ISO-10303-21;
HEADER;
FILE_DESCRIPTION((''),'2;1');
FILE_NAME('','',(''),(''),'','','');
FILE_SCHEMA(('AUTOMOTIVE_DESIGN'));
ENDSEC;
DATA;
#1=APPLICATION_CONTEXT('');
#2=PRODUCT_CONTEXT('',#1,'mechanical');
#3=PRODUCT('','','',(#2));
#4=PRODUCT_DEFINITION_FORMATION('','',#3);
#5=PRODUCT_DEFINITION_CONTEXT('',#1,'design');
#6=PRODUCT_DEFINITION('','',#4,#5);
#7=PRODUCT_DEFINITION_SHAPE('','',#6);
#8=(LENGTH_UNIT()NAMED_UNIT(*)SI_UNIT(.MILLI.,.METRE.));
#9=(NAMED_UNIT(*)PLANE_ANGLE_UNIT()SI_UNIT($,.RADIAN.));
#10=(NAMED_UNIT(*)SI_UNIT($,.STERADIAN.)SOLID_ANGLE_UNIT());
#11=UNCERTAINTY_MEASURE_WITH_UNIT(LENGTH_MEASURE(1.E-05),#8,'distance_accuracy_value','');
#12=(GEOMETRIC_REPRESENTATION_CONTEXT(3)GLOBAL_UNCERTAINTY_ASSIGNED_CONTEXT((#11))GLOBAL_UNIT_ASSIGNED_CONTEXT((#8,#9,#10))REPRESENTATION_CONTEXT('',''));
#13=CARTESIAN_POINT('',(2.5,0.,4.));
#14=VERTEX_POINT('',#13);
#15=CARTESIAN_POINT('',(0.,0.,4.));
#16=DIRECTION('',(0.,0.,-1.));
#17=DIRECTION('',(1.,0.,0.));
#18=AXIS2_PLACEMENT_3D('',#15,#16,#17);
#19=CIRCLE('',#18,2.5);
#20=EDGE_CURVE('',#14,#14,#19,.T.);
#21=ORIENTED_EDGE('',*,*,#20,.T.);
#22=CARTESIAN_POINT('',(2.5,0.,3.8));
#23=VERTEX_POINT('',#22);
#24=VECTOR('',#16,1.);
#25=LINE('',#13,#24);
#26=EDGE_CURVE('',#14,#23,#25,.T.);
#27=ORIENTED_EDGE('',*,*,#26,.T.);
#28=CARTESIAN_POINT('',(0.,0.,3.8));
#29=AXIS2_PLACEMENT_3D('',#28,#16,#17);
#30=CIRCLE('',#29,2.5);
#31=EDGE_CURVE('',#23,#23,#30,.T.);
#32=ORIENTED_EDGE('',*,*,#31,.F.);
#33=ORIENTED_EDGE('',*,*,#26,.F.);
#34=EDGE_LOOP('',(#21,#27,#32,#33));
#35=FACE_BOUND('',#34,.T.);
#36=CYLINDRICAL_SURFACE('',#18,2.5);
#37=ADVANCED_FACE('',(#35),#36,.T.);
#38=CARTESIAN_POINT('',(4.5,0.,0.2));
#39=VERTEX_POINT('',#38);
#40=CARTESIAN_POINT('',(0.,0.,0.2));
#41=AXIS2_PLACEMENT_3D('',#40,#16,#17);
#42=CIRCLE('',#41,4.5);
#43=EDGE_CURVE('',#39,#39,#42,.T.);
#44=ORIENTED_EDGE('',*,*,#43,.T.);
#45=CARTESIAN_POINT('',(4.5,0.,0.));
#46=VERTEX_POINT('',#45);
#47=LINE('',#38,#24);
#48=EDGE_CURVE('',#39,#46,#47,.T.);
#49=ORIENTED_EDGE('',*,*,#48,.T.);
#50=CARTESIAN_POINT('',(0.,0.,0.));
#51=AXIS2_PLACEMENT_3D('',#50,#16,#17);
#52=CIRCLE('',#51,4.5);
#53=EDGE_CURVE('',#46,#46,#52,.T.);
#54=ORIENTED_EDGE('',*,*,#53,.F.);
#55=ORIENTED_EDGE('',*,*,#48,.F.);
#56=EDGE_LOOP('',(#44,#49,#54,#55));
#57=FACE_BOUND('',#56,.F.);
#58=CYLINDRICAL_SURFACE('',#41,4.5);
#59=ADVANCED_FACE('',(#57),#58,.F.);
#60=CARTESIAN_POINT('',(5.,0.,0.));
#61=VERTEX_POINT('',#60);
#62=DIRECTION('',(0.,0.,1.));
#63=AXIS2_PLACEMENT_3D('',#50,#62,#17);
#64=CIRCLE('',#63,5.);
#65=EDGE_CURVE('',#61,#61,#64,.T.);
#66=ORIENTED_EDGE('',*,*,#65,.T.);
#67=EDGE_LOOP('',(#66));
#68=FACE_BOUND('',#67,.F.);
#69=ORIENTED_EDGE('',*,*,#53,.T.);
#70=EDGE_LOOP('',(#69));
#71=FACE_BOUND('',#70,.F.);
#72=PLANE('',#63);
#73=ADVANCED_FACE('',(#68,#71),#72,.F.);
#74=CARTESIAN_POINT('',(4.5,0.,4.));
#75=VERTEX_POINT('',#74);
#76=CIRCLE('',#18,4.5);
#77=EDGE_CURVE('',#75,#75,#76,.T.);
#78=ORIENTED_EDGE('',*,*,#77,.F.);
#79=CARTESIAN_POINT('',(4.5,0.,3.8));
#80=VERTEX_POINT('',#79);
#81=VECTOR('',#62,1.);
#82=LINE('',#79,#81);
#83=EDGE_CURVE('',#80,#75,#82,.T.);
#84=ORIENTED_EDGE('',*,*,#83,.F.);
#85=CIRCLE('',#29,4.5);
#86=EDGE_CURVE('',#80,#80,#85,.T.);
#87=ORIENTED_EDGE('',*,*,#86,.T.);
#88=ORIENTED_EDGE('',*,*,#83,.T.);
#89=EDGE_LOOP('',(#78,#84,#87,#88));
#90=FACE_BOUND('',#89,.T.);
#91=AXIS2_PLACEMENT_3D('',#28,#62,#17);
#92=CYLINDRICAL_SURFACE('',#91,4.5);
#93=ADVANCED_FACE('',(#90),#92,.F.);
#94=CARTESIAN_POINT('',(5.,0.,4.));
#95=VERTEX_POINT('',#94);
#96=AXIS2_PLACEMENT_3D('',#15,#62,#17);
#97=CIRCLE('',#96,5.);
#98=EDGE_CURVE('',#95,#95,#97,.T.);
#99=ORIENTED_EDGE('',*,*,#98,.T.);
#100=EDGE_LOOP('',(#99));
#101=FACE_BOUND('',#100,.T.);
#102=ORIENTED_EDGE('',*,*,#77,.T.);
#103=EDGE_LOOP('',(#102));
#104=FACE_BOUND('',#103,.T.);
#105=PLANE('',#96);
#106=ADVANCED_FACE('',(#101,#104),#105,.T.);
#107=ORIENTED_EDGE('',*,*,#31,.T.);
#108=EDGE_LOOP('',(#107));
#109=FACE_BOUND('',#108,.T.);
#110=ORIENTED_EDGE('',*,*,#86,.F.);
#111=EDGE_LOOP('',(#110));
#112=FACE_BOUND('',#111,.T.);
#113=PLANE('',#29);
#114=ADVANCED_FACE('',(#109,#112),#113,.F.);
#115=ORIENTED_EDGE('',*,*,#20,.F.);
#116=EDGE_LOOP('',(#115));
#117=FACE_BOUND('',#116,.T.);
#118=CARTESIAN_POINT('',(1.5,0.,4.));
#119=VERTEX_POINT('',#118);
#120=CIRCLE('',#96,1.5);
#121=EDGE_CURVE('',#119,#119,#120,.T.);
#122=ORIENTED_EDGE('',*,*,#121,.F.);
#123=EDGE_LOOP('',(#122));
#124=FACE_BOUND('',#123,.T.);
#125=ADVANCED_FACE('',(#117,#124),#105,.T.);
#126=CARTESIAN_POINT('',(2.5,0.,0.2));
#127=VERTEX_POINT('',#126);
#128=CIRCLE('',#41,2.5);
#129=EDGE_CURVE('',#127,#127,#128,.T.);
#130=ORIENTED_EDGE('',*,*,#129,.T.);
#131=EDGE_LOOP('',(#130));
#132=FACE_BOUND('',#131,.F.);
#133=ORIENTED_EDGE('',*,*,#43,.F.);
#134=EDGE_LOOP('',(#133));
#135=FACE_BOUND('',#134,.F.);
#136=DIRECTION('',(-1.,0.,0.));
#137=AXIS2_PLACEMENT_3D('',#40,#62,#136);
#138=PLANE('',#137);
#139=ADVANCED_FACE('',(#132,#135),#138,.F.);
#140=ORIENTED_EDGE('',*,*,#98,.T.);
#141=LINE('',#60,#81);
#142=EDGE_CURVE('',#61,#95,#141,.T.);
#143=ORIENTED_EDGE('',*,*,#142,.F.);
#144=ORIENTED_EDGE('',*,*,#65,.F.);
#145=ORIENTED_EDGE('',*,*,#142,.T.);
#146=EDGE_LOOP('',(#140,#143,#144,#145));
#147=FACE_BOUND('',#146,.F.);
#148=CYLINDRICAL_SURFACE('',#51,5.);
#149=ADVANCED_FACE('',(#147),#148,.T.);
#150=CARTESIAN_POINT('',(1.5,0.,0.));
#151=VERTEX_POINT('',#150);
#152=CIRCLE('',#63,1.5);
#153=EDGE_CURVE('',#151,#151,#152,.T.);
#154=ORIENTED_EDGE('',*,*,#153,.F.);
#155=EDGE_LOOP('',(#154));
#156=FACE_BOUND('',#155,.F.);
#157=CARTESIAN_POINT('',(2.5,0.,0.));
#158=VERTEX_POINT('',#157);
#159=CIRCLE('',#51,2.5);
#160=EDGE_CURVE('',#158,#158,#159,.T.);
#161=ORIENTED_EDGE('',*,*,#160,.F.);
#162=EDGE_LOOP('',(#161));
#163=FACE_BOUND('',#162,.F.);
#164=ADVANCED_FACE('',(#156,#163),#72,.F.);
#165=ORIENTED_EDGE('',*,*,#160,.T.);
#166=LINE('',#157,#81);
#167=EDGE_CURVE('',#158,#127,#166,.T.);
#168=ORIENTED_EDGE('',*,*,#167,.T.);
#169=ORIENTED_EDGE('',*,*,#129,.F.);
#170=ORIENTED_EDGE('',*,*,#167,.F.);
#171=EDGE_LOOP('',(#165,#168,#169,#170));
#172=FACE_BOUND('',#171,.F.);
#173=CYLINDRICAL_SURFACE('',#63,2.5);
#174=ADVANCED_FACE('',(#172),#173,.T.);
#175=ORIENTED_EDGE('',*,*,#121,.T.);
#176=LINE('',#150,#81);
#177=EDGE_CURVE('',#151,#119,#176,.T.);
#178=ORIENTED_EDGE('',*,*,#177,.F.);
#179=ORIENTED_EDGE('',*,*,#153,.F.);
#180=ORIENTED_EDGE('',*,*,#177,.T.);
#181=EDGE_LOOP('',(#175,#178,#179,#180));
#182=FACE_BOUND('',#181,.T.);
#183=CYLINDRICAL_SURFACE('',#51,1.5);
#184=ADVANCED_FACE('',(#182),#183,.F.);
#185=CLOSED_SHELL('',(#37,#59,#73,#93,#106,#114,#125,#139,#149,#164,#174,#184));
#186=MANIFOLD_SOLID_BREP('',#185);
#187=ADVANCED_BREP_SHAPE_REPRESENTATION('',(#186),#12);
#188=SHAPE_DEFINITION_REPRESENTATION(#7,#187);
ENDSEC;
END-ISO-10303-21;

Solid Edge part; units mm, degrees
sketch "Sketch1" plane through (0, 0, 0) normal (0, 0, 1) x (1, 0, 0)
  circle A0 centre (0, 0) radius 1.5
  circle A1 centre (0, 0) radius 5
  dimension "D1" = 10
extrude "Protrusion1" add sketch "Sketch1" along normal blind 4
sketch "Sketch2" plane through (0, 0, 0) normal (0, -1, 0) x (1, 0, 0)
  line L0 (0, 4) -> (2.5, 4)
  line L1 (2.5, 4) -> (2.5, 3.8)
  line L2 (2.5, 3.8) -> (4.5, 3.8)
  line L3 (4.5, 3.8) -> (4.5, 4)
  line L4 (4.5, 4) -> (5.6166, 4)
revolve "RevolvedCutout1" cut sketch "Sketch2" angle 360 about axis through (0, 0, 54) along (0, 0, -1) material side at (1.25, 0, 4.05)
mirror "Mirror1" about plane through (0, 0, 2) normal (0, 0, 1) of "RevolvedCutout1"
properties material "Stainless steel"
